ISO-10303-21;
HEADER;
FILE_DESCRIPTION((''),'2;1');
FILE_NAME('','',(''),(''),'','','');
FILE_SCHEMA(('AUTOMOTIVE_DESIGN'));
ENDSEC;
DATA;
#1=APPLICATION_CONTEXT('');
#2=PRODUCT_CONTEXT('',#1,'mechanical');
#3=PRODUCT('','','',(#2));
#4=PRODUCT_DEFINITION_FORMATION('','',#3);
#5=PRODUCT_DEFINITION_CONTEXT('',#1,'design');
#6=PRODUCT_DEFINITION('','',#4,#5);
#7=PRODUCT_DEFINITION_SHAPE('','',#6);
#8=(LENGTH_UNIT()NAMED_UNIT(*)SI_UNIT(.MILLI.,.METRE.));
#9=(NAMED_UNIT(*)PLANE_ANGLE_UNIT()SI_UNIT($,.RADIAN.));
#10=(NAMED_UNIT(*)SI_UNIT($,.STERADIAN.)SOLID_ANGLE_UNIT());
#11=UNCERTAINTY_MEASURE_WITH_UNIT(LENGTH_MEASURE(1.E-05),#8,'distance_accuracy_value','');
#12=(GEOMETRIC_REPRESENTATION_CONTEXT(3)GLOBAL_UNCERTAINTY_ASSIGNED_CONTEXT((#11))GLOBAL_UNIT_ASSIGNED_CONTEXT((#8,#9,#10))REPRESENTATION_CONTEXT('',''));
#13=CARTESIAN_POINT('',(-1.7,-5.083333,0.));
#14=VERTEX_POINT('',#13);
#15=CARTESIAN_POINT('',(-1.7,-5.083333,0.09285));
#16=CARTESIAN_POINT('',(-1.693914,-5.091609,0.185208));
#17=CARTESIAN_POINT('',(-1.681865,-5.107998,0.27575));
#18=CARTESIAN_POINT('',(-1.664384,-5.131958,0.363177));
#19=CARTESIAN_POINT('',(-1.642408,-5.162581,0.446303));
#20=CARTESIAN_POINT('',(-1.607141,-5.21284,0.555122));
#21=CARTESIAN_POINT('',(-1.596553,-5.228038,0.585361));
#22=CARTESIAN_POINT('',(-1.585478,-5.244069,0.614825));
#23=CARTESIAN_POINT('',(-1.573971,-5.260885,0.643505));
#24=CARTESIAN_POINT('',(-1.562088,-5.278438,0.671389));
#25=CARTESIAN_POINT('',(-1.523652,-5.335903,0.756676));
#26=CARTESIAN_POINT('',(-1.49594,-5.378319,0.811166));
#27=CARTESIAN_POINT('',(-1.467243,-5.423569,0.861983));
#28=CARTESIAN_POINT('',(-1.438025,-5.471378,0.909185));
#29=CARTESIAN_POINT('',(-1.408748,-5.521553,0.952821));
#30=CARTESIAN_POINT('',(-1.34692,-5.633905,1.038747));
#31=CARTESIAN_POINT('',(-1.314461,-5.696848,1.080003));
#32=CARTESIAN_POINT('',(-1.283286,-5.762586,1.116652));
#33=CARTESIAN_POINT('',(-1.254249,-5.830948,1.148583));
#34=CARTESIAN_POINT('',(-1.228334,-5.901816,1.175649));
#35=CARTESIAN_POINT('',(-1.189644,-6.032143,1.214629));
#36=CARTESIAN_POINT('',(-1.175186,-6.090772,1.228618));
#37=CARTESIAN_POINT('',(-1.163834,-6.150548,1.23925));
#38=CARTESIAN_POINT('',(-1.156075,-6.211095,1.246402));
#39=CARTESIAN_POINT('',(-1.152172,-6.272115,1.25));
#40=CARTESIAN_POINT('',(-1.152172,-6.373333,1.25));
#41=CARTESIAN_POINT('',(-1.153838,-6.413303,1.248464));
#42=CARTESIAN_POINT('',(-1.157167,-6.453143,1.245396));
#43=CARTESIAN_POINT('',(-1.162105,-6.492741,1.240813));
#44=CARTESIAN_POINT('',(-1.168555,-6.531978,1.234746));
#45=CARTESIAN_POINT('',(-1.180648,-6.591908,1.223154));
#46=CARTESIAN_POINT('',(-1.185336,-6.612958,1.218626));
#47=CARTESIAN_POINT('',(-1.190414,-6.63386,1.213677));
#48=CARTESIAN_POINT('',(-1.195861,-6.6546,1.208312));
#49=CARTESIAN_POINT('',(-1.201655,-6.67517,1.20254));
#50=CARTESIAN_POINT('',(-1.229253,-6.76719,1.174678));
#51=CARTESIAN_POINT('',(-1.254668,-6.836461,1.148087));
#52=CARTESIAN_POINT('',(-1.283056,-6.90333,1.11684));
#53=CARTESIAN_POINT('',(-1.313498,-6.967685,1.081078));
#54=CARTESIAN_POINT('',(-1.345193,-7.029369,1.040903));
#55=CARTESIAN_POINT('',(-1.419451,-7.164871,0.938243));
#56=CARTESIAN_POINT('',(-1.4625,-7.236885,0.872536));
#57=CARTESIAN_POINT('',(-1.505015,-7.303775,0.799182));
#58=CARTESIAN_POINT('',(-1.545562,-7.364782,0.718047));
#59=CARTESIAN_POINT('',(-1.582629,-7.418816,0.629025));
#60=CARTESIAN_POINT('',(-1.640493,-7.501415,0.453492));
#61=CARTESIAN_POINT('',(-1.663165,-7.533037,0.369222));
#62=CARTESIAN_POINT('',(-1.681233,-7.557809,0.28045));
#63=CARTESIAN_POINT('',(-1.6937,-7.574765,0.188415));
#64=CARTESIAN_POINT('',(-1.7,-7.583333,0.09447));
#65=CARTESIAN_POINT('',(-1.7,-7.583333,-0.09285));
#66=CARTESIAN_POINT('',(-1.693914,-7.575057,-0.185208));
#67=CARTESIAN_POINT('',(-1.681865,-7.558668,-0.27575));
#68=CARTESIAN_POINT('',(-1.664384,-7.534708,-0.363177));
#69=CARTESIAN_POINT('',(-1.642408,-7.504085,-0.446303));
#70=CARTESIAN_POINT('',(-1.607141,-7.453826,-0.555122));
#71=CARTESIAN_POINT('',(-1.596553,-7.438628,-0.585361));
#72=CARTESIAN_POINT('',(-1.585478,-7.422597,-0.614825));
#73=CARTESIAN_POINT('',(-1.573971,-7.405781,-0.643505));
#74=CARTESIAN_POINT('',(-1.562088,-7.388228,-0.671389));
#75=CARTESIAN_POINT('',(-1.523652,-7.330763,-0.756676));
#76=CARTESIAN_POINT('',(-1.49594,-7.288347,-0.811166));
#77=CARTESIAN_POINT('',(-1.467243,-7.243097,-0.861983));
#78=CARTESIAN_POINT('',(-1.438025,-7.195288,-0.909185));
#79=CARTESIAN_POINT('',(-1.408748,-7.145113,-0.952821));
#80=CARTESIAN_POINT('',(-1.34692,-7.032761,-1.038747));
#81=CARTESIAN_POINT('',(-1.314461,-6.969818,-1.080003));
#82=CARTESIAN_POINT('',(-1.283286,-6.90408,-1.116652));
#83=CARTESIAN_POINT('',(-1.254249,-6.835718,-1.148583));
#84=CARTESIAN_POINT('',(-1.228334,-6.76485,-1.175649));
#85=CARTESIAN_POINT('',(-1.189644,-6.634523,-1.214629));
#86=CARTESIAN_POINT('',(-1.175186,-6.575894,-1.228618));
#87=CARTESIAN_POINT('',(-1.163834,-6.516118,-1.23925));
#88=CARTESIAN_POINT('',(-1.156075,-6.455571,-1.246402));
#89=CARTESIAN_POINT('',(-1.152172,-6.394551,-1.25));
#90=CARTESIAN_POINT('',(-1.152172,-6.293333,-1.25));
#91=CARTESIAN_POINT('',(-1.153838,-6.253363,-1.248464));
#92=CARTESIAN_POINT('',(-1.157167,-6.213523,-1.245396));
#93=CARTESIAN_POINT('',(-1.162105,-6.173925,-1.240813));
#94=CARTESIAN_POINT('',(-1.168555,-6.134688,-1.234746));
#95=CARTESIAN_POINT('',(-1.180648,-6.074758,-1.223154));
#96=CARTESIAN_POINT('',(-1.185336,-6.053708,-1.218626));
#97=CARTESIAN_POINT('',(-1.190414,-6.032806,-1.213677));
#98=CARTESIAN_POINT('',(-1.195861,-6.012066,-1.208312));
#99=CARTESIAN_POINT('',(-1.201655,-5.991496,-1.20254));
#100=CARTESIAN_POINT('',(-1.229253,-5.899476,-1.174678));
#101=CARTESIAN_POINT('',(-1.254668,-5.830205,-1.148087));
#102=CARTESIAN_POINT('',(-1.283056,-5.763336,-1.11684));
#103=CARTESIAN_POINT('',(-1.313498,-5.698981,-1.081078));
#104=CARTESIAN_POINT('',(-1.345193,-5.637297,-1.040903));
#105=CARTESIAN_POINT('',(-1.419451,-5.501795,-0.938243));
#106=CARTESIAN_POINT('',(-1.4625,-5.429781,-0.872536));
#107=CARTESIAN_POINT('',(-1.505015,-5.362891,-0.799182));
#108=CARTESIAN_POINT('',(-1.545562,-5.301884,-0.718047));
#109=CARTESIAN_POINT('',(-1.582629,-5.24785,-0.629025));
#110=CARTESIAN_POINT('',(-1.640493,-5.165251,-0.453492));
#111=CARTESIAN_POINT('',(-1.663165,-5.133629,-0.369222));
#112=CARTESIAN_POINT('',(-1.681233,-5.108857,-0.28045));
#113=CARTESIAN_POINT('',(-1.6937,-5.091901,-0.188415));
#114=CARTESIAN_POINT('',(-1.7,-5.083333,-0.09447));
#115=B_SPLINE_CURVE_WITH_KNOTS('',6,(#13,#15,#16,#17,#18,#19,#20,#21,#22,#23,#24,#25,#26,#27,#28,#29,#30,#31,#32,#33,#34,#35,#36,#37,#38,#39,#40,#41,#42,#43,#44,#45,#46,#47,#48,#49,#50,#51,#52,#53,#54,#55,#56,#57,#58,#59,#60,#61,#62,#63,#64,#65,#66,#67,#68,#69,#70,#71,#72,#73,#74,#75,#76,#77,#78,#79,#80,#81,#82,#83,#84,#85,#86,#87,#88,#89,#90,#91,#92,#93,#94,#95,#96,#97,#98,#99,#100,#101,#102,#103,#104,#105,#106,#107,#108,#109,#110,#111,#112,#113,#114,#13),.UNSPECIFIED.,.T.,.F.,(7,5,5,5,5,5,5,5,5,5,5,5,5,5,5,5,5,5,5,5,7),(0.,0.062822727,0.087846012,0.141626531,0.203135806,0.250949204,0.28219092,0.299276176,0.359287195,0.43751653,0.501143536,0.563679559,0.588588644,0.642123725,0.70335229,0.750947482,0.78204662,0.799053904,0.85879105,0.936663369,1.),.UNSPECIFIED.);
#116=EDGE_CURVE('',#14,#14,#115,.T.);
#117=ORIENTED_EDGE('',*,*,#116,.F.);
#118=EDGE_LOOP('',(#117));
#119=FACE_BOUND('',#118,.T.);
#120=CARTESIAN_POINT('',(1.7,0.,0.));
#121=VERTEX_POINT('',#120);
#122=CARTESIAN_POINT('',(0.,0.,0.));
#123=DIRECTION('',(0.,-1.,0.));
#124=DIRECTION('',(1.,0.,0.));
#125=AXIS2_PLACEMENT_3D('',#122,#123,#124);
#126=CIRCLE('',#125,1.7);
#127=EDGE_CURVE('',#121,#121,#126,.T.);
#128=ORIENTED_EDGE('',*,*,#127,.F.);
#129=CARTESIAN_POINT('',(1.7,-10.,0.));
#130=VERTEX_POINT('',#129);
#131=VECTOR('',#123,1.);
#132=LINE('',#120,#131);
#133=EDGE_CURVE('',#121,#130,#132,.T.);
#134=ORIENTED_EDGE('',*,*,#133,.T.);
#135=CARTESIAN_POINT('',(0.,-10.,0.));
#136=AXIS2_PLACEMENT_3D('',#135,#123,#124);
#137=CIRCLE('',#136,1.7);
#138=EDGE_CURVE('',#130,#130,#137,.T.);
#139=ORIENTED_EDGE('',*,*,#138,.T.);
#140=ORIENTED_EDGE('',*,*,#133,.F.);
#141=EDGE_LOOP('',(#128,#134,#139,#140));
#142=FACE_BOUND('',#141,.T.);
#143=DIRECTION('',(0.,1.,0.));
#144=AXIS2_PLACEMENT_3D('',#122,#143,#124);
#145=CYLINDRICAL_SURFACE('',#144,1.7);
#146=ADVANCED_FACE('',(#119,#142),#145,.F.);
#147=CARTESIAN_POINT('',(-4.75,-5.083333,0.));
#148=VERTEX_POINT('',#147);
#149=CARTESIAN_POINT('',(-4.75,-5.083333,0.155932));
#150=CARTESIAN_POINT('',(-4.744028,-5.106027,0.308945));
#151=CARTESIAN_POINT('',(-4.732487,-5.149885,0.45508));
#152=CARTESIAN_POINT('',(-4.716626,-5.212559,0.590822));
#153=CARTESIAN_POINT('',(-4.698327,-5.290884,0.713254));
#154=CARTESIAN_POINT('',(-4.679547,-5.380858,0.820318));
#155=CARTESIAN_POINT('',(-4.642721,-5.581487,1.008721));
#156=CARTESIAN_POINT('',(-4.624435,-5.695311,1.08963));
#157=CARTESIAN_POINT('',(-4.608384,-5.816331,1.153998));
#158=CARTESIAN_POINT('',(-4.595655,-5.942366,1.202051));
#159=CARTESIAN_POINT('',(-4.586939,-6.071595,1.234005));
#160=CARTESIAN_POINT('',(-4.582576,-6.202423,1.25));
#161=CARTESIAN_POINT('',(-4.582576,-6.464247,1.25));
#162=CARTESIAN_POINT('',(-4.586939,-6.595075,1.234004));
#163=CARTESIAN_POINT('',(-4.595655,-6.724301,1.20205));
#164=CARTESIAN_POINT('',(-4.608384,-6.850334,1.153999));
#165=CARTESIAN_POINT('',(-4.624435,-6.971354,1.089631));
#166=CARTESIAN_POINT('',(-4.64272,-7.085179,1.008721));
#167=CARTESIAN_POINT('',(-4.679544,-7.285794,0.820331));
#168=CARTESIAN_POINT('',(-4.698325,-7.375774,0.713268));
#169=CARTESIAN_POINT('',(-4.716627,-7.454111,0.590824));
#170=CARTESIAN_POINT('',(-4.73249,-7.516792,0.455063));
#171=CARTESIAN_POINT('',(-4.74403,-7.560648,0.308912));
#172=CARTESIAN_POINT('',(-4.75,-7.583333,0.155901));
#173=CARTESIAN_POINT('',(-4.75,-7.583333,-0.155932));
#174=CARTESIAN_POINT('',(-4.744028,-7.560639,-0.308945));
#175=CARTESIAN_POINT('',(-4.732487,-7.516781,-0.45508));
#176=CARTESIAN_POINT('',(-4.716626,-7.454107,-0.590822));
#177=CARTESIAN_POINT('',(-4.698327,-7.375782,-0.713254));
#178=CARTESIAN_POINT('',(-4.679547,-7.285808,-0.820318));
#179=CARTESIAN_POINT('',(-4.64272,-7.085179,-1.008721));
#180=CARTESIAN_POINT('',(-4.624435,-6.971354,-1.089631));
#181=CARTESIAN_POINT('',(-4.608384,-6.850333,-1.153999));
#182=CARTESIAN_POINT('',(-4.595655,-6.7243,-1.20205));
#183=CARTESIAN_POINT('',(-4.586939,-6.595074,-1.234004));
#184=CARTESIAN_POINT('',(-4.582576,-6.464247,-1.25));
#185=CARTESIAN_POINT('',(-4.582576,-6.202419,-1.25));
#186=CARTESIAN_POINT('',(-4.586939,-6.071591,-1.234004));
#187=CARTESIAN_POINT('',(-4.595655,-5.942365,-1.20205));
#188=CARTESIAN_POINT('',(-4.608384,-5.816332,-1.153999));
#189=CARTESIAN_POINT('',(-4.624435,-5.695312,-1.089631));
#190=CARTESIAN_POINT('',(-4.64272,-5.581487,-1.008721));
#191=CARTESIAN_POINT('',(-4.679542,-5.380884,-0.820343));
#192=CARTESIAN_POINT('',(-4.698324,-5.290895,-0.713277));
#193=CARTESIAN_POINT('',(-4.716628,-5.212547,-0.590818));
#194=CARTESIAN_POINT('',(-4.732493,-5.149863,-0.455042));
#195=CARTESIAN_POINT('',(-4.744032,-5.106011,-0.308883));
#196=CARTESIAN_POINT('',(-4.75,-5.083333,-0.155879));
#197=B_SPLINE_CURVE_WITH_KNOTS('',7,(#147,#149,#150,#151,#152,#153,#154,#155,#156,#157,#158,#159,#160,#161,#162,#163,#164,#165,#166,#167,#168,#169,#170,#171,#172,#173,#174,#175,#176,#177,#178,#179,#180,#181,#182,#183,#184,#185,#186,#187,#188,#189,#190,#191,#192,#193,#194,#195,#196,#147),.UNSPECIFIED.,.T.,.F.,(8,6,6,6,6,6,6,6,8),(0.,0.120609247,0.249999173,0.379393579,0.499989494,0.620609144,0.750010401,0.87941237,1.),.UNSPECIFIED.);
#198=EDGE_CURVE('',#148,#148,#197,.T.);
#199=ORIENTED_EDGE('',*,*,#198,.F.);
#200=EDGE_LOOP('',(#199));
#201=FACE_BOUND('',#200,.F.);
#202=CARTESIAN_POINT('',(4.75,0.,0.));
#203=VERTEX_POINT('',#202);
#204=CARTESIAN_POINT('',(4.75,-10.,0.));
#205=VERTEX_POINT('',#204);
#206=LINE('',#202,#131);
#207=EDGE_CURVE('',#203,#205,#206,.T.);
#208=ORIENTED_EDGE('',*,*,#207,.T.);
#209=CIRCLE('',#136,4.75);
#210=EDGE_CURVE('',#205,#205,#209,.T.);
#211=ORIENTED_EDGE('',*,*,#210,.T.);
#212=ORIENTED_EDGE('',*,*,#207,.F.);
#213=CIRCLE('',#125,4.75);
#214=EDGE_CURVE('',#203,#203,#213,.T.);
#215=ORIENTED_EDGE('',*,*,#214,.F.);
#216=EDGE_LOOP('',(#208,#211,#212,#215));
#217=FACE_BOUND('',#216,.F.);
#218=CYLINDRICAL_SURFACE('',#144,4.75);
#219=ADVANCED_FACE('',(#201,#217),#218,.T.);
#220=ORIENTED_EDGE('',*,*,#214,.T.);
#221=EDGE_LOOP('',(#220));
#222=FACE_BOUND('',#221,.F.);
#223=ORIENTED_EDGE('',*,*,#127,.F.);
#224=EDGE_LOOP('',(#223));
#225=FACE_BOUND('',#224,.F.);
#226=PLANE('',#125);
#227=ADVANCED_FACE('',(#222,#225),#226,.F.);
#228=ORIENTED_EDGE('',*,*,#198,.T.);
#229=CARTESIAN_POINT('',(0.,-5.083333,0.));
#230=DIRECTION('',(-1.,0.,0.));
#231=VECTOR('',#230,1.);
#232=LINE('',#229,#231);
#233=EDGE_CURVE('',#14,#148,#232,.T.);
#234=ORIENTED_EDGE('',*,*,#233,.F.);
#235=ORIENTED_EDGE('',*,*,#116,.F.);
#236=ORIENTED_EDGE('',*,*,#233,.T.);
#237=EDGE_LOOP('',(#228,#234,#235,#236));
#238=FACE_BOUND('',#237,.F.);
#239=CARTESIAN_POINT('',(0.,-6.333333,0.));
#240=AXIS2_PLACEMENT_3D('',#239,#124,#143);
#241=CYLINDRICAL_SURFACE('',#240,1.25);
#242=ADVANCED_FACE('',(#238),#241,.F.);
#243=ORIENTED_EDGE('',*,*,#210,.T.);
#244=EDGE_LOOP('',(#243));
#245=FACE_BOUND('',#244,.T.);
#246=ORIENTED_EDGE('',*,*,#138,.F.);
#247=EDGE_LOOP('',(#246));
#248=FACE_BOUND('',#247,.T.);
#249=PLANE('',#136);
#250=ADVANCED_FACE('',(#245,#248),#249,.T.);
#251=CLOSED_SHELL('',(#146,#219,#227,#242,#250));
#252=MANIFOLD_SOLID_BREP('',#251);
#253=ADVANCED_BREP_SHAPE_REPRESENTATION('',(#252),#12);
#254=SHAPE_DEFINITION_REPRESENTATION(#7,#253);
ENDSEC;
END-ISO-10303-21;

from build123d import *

# Parameters (mm, degrees)
F0_R     = 4.75
F0_R_2   = 1.7
F1_DEPTH = 10
F2_R     = 1.25
F3_DEPTH = 25


with BuildPart() as f1:
    # F0 (on Front) → F1 (new body)
    with BuildSketch(Plane.XZ):
        Circle(F0_R)
        Circle(F0_R_2, mode=Mode.SUBTRACT)
    extrude(amount=F1_DEPTH)

    # F2 (on Right) → F3 (cut)
    with BuildSketch(Plane.YZ):
        with Locations((-6.333333, 0)):
            Circle(F2_R)
    extrude(amount=-F3_DEPTH, mode=Mode.SUBTRACT)


solid = f1.part
